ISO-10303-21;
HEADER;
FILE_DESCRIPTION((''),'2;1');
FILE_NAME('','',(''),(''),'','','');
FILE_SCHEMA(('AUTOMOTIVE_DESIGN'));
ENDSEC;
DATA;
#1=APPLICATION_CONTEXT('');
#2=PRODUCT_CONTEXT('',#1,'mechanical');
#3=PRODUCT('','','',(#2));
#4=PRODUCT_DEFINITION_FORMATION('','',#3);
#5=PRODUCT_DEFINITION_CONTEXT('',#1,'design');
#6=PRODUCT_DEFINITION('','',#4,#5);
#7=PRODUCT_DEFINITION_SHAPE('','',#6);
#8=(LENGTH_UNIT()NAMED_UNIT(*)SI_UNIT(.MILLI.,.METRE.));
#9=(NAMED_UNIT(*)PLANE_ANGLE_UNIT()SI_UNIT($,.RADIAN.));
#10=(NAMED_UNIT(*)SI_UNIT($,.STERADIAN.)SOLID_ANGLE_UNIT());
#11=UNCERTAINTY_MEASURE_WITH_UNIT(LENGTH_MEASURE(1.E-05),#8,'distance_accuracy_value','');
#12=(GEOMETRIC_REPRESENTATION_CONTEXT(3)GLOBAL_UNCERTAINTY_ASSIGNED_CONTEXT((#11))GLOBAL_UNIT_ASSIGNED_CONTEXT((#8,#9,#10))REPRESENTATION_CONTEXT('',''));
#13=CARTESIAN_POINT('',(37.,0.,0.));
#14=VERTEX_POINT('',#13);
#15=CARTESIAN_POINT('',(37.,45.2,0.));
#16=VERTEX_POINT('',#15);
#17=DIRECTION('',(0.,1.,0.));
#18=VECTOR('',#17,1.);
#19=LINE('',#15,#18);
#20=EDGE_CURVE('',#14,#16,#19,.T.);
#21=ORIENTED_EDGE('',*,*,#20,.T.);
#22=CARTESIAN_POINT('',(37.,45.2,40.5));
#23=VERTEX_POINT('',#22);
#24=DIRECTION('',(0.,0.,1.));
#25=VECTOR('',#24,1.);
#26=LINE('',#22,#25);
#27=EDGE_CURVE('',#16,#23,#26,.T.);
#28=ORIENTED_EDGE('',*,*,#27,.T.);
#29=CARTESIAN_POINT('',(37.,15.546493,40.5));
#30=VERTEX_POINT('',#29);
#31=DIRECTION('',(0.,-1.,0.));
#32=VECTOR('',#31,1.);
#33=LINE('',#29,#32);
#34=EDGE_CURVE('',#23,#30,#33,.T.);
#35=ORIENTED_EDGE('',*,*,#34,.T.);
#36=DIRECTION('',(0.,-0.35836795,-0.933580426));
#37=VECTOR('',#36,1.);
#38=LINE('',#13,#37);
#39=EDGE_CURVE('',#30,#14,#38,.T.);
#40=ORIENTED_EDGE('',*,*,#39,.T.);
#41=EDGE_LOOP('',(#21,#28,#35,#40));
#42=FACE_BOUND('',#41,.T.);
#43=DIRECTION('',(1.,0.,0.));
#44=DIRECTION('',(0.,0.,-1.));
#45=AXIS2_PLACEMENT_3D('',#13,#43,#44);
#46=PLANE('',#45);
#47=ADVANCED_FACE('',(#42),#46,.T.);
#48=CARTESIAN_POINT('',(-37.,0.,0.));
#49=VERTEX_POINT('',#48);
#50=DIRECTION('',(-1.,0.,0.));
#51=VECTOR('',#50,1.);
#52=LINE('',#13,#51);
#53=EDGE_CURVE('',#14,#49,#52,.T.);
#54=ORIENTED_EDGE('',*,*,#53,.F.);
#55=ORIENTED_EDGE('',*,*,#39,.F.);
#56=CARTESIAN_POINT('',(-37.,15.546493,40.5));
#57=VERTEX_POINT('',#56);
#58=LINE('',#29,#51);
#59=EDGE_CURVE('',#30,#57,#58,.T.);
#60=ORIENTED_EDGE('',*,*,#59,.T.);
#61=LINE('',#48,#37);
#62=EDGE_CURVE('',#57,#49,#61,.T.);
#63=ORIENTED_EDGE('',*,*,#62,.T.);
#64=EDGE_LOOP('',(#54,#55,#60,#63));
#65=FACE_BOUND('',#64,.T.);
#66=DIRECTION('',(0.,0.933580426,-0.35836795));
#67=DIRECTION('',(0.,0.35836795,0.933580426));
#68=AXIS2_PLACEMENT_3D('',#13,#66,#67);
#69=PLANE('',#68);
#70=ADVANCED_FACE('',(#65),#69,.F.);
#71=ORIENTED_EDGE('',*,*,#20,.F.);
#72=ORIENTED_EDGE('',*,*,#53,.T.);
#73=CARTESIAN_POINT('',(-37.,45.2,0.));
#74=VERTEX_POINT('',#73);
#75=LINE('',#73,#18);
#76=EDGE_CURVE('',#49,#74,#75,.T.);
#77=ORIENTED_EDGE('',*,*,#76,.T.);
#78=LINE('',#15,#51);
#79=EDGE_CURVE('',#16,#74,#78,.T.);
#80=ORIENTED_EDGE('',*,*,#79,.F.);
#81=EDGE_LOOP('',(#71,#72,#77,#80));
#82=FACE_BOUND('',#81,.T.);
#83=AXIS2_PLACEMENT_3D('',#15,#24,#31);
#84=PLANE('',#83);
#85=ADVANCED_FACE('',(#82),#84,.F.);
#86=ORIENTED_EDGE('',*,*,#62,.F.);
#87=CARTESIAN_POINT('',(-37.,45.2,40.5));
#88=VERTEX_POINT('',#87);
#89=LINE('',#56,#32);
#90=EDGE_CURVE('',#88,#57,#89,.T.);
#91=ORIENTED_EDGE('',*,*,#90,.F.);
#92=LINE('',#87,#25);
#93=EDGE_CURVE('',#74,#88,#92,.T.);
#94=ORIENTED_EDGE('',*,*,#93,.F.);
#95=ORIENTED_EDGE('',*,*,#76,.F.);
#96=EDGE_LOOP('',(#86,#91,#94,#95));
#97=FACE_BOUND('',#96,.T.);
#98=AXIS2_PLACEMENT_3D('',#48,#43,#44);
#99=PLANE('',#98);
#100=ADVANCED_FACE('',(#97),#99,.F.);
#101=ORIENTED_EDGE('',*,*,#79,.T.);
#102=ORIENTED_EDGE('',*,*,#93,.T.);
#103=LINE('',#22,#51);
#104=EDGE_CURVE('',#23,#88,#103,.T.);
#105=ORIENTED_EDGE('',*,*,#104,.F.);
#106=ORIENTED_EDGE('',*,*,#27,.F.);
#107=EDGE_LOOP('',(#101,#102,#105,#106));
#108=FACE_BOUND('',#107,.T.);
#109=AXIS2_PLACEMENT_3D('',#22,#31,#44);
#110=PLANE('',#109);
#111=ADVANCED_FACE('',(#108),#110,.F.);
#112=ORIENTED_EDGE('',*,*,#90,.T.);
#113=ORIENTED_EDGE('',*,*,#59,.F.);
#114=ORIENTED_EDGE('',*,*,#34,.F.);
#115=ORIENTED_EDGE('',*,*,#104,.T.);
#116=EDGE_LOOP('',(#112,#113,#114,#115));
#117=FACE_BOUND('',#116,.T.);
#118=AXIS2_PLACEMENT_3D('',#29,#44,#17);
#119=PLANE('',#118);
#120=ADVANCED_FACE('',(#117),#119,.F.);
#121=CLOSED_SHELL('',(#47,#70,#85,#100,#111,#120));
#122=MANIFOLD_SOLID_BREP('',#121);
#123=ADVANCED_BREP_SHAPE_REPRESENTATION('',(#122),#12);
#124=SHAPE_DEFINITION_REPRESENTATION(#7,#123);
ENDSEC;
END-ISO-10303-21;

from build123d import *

# Parameters (mm, degrees)
BOSS_EXTRUDE1_DEPTH = 37


with BuildPart() as part:
    # Sketch1 → Boss-Extrude1 (new, symmetric)
    with BuildSketch(Plane(origin=(0, 0, 0), x_dir=(0, 0, -1), z_dir=(1, 0, 0))):
        Polygon((0, 0), (-40.5, 15.546493419), (-40.5, 45.2), (0, 45.2), align=None)
    extrude(amount=BOSS_EXTRUDE1_DEPTH, both=True)


solid = part.part
